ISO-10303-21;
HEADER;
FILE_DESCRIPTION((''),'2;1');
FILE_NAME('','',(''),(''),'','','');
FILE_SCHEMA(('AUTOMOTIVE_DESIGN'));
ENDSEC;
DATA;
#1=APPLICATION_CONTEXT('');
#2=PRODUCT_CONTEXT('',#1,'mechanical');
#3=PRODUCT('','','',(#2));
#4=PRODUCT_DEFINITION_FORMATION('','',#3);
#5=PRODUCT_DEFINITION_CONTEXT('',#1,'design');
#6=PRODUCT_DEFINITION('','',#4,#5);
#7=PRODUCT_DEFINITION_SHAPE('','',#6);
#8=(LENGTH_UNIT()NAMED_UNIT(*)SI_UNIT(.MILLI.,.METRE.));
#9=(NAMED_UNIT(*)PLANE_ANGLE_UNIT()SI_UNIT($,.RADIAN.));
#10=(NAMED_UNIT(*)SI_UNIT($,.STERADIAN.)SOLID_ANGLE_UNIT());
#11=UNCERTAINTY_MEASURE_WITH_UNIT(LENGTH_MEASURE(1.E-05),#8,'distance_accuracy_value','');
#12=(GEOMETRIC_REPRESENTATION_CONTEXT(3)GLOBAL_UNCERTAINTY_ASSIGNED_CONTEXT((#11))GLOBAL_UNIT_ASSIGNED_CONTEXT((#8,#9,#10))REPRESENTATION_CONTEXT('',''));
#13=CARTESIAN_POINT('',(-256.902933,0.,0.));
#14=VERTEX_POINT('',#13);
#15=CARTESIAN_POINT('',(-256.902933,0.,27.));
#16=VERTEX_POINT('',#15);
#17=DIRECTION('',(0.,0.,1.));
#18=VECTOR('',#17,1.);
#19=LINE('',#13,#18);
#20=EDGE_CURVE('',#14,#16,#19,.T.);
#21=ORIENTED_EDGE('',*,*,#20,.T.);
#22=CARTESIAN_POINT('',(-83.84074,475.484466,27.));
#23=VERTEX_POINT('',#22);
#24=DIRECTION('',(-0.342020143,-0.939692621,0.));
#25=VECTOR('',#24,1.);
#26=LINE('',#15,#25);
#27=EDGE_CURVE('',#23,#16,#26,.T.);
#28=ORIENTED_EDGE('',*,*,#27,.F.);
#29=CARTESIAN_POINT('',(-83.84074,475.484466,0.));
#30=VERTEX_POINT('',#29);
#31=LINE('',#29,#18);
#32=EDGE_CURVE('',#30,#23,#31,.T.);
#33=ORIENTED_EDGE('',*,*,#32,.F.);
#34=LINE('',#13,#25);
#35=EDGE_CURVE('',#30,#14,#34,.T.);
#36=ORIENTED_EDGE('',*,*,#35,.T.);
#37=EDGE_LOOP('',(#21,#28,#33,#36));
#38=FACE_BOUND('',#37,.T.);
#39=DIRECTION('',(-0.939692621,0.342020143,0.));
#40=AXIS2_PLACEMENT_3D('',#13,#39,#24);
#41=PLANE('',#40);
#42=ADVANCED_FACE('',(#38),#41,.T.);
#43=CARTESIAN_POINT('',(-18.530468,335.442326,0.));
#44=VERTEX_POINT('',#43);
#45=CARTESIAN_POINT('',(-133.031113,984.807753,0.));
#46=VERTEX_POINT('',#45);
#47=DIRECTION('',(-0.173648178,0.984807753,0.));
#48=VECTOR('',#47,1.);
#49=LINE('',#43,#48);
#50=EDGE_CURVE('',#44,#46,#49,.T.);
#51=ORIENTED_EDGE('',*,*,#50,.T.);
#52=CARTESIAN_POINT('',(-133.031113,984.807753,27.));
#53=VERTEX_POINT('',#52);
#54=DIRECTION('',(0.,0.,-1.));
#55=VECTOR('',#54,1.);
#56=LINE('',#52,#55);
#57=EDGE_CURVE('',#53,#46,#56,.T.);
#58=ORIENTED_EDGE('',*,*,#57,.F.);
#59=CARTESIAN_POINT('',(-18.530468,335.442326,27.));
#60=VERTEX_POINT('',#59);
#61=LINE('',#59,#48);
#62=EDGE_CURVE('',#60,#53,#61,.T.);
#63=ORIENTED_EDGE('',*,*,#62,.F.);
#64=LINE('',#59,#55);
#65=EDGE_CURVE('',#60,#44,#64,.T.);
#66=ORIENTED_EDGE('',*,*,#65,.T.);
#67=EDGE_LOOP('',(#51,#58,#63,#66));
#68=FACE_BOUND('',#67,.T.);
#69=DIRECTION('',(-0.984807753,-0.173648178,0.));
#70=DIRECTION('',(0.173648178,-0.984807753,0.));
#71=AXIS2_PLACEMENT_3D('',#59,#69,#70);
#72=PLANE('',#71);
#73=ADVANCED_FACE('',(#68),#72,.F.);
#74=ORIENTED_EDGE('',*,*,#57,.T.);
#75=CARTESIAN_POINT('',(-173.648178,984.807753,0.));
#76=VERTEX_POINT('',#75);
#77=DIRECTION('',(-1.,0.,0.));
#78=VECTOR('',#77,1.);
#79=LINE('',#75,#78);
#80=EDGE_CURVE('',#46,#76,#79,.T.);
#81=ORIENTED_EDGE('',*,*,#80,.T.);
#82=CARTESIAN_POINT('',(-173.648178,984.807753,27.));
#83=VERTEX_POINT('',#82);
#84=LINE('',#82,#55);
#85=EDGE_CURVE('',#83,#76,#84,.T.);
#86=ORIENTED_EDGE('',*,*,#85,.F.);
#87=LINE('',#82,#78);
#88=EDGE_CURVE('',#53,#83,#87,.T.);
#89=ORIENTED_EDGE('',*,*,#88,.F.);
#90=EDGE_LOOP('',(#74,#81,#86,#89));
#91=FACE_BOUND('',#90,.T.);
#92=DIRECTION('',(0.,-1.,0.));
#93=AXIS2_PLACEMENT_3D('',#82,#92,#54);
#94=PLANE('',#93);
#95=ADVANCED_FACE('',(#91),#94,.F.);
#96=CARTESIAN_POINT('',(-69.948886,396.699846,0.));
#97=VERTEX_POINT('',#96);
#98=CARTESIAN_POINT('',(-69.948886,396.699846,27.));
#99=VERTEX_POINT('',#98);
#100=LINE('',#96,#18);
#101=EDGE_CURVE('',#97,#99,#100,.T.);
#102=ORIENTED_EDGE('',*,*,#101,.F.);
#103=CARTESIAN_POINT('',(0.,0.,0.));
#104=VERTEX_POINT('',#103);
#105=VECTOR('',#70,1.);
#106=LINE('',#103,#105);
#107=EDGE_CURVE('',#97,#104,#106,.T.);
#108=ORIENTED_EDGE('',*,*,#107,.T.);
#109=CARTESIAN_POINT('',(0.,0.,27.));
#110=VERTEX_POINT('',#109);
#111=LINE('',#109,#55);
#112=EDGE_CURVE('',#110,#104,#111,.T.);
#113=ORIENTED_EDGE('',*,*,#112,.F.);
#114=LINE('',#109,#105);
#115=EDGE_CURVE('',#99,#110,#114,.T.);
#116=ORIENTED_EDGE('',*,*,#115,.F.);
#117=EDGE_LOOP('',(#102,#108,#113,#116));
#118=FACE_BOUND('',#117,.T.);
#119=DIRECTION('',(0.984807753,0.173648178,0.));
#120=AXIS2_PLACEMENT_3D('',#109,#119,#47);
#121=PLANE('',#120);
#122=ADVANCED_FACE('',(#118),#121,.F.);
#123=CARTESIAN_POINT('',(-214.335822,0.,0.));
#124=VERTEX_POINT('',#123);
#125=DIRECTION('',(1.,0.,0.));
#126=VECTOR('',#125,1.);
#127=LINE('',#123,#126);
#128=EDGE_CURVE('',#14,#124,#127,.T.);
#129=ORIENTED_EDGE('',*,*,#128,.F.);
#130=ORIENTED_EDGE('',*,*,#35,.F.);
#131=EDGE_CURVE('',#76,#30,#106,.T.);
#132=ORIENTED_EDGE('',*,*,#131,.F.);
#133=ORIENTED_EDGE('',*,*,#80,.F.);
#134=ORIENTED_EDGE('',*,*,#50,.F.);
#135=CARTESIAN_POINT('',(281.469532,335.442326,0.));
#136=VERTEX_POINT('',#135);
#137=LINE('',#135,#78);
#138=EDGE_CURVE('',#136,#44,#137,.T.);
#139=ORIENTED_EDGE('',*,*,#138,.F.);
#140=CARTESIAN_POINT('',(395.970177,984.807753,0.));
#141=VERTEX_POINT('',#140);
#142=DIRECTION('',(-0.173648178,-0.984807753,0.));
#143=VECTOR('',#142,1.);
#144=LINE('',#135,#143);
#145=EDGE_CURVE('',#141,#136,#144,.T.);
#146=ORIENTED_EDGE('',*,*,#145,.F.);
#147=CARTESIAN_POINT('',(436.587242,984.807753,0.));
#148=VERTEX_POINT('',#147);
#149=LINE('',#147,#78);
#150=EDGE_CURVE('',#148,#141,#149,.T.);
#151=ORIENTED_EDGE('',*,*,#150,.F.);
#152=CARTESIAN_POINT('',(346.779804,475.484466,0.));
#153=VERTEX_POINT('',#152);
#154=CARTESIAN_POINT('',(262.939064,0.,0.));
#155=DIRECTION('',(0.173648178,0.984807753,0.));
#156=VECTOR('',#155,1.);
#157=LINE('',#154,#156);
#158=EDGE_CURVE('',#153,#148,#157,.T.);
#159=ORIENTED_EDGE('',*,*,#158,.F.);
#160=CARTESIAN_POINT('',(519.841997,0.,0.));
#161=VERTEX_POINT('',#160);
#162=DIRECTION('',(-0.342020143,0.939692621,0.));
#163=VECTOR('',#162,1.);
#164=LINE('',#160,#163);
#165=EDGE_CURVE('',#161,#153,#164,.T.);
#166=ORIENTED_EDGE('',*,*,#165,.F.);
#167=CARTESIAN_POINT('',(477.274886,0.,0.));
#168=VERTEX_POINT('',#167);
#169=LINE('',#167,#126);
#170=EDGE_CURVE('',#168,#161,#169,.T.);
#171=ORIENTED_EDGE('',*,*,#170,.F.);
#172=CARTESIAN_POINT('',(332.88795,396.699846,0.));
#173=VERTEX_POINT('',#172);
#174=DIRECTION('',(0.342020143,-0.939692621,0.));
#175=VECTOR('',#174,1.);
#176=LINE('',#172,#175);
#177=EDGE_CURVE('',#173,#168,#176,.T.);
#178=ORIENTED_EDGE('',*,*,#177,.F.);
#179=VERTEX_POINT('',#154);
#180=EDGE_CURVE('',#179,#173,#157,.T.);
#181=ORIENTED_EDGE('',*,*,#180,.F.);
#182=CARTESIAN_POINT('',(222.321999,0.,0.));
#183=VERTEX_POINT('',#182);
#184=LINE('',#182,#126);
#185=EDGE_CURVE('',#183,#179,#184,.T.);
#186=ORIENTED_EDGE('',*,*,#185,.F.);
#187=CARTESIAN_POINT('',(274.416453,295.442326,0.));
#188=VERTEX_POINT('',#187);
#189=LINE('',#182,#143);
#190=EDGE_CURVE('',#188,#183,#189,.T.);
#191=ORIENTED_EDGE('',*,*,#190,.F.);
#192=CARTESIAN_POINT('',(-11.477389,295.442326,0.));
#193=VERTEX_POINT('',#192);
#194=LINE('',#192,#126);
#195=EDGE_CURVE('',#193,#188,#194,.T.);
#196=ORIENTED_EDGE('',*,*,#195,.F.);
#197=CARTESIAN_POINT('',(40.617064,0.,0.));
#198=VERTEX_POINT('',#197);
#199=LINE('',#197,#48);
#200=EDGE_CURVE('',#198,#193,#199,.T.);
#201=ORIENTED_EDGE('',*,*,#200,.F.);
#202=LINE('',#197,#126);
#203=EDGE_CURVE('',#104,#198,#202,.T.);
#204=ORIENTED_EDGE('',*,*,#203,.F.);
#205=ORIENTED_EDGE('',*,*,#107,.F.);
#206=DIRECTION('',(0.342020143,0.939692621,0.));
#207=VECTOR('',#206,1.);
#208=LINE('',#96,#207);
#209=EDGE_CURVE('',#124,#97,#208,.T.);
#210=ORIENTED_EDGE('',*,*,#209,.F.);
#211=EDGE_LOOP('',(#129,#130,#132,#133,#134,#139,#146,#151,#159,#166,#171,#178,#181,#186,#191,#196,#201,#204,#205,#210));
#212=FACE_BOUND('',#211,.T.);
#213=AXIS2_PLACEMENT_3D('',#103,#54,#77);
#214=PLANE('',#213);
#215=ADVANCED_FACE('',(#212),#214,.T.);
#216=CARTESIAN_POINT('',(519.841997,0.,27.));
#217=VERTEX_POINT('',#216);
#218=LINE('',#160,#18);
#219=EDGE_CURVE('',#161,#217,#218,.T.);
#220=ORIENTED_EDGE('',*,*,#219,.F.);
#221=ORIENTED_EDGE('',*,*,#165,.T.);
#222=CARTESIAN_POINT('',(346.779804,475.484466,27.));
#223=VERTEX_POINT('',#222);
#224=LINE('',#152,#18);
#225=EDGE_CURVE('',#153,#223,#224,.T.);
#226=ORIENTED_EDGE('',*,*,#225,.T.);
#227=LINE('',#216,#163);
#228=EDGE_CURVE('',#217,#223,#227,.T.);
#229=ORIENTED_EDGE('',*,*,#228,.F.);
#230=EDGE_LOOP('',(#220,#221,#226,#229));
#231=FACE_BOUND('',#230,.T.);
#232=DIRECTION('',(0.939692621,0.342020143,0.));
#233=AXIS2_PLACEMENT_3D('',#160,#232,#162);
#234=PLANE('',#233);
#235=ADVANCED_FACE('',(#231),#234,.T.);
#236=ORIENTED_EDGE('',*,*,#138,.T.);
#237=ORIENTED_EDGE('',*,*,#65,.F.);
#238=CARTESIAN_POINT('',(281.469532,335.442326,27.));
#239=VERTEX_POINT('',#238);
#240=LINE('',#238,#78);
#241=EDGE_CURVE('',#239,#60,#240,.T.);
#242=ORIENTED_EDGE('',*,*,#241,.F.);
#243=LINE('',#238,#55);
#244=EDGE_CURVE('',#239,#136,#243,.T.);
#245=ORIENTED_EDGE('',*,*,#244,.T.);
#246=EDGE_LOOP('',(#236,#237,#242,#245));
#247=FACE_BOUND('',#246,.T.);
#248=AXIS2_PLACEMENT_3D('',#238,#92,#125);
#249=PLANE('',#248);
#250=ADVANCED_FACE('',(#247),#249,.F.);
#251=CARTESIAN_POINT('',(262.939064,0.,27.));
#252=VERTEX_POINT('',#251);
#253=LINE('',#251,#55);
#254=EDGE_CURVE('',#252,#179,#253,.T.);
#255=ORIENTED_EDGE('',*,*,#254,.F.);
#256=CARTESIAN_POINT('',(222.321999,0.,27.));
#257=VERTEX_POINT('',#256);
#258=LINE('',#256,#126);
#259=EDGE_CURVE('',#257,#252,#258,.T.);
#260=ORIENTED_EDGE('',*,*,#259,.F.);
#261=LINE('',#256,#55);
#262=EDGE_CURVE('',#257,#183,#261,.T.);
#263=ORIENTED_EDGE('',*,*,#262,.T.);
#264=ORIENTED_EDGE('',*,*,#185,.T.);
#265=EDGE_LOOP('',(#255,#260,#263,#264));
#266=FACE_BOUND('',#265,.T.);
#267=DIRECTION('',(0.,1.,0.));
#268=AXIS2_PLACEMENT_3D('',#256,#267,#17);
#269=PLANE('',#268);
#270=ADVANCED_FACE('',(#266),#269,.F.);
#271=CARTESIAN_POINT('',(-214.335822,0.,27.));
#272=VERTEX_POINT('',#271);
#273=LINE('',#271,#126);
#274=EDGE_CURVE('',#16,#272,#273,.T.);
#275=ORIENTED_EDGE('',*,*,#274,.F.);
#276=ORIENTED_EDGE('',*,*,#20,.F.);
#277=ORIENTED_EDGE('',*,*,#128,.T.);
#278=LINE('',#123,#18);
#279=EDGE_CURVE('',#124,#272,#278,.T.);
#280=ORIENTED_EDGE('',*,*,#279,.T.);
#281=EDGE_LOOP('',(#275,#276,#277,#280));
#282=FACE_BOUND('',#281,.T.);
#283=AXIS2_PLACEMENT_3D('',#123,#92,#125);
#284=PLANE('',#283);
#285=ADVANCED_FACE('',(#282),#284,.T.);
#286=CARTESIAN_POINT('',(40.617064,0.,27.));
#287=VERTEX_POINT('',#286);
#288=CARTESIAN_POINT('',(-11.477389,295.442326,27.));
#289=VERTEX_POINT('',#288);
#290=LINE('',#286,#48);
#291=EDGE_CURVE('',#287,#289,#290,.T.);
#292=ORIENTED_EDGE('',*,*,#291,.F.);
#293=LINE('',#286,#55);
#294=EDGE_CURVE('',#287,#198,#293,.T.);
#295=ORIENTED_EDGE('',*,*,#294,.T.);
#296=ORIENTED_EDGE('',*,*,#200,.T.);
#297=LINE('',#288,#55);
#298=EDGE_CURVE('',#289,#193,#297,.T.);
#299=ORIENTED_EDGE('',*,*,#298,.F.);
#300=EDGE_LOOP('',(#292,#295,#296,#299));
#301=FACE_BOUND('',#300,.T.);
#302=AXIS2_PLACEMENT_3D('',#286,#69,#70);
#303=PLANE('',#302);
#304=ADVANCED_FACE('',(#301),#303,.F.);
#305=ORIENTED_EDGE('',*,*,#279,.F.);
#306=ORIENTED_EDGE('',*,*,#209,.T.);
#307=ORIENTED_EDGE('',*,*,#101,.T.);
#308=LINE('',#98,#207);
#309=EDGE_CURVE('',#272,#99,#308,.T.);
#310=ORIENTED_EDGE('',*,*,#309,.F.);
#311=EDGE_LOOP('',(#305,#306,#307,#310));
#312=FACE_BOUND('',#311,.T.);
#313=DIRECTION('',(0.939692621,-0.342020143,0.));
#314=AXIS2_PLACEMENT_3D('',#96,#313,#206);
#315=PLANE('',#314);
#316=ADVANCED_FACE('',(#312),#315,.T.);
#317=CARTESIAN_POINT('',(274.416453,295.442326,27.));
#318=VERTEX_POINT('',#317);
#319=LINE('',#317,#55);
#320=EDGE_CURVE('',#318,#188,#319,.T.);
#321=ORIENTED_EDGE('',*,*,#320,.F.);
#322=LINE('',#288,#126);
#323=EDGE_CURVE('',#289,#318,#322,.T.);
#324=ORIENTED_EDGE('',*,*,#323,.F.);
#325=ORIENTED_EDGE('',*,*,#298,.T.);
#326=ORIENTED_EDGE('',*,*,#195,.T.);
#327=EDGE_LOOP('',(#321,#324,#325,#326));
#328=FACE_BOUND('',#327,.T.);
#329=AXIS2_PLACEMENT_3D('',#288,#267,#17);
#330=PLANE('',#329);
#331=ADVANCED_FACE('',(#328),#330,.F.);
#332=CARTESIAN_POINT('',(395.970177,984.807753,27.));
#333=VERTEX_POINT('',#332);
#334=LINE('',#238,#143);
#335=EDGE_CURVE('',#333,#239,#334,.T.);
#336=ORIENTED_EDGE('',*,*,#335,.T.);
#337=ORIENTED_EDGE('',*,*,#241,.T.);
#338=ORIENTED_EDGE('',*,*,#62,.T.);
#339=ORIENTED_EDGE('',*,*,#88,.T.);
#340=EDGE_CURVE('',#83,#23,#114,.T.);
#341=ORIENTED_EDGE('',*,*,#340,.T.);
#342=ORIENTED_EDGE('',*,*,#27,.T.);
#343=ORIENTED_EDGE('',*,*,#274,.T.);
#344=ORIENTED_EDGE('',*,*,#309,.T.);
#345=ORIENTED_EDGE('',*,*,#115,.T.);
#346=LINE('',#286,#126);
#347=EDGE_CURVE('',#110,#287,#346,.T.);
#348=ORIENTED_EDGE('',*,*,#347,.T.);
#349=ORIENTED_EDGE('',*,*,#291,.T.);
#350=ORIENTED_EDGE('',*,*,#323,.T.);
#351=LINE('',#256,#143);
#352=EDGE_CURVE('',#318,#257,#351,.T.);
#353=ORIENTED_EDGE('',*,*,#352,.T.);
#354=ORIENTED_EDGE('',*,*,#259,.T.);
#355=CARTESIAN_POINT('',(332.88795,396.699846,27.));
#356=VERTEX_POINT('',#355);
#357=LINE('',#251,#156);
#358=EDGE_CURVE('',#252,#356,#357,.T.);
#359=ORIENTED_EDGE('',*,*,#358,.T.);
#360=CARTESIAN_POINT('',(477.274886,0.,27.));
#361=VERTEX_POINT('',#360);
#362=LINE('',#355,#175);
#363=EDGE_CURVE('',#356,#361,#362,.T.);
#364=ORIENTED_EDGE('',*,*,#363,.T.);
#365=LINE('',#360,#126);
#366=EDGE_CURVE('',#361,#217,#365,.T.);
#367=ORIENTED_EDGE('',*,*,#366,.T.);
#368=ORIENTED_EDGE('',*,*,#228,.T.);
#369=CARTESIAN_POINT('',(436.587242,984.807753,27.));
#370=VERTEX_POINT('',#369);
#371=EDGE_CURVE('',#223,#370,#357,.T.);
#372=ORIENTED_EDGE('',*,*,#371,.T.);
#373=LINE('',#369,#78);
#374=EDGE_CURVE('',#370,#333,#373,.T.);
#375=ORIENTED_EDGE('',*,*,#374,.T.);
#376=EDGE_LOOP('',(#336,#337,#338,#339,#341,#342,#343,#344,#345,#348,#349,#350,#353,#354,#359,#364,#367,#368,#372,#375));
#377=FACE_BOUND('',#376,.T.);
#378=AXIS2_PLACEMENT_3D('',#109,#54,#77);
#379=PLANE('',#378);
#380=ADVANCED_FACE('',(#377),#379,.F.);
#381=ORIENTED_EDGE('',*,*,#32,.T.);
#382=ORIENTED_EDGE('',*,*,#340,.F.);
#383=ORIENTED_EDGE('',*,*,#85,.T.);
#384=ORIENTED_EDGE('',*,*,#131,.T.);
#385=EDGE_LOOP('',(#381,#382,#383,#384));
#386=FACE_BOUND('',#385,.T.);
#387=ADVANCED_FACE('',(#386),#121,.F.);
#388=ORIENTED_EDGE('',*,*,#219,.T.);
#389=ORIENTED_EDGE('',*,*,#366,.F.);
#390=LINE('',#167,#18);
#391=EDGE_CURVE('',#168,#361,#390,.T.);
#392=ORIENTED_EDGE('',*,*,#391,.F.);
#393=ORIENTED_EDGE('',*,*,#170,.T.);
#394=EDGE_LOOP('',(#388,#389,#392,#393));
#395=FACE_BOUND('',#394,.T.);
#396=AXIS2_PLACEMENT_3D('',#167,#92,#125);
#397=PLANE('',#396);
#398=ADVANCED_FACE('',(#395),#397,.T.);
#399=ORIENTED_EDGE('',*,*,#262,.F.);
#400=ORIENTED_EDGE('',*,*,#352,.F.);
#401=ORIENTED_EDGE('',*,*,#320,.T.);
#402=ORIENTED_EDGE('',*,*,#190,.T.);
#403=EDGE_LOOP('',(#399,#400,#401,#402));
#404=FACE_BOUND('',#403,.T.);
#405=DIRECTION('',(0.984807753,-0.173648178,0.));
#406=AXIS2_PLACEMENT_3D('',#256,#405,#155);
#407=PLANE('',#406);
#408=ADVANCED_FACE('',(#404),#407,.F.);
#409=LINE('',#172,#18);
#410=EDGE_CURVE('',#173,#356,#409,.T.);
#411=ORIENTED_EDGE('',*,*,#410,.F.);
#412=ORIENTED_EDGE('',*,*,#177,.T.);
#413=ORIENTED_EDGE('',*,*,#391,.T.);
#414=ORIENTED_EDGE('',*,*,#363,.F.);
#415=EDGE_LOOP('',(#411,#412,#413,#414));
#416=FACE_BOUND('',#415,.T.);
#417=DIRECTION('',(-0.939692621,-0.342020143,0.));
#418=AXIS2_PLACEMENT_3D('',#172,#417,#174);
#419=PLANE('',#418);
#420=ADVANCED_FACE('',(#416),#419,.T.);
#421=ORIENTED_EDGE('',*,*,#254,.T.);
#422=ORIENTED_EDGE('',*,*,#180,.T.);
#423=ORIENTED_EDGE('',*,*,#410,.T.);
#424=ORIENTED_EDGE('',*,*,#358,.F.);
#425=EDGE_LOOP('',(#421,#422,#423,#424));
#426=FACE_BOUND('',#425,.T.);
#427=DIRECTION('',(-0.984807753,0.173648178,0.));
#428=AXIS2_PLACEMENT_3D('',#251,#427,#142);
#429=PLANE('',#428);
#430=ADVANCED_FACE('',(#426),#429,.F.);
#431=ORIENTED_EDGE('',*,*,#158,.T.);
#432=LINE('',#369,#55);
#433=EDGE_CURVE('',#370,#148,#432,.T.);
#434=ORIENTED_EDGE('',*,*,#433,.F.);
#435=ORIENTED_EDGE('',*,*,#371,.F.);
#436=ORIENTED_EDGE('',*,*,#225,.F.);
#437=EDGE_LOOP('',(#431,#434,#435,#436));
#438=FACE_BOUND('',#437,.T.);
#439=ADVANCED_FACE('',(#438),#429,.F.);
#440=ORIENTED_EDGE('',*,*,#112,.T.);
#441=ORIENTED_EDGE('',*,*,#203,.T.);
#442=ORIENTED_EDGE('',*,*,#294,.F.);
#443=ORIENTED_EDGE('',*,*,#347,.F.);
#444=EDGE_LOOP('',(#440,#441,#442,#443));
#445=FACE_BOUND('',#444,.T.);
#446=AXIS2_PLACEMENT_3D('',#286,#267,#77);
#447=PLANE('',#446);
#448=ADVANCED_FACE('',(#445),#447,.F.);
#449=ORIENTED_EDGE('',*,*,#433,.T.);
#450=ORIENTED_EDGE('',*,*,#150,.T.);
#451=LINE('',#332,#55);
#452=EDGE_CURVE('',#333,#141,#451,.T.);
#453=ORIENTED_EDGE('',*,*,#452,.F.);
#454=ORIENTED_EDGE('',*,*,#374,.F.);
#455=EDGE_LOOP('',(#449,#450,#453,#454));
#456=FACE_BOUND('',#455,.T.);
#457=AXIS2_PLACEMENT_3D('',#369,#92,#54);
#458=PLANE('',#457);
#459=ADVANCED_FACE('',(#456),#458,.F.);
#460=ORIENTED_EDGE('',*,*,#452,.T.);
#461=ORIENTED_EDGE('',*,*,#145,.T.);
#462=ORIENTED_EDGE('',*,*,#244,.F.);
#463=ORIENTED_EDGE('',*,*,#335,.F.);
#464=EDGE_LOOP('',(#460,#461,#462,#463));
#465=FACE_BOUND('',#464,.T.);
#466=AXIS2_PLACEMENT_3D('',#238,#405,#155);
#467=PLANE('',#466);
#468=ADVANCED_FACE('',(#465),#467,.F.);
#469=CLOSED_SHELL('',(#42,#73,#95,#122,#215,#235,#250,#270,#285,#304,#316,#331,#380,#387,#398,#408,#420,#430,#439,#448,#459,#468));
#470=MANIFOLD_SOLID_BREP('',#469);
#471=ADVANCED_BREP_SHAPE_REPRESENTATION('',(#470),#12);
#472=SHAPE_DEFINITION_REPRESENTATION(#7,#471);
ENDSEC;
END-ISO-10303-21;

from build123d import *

# Parameters (mm, degrees)
BOSS_EXTRU_1_DEPTH = 27
BOSS_EXTRU_2_DEPTH = 27


with BuildPart() as part:
    # Esquisse1 → Boss.-Extru.1 (new body)
    with BuildSketch(Plane.XY):
        Polygon((0, 0), (-173.648177667, 984.807753012), (-133.031113192, 984.807753012), (-18.530468053, 335.442325904), (281.469531947, 335.442325904), (395.970177086, 984.807753012), (436.587241561, 984.807753012), (262.939063894, 0), (222.321999419, 0), (274.416452719, 295.442325904), (-11.477388825, 295.442325904), (40.617064475, 0), align=None)
    extrude(amount=BOSS_EXTRU_1_DEPTH)

    # Esquisse2 → Boss.-Extru.2 (add)
    with BuildSketch(Plane.XY.offset(27)):
        Polygon((-69.948886071, 396.699845877), (-214.335821908, 0), (-256.902932807, 0), (-83.840740284, 475.484466118), align=None)
        Polygon((346.779804178, 475.484466118), (332.887949965, 396.699845877), (477.274885802, 0), (519.841996701, 0), align=None)
    extrude(amount=-BOSS_EXTRU_2_DEPTH)


solid = part.part
